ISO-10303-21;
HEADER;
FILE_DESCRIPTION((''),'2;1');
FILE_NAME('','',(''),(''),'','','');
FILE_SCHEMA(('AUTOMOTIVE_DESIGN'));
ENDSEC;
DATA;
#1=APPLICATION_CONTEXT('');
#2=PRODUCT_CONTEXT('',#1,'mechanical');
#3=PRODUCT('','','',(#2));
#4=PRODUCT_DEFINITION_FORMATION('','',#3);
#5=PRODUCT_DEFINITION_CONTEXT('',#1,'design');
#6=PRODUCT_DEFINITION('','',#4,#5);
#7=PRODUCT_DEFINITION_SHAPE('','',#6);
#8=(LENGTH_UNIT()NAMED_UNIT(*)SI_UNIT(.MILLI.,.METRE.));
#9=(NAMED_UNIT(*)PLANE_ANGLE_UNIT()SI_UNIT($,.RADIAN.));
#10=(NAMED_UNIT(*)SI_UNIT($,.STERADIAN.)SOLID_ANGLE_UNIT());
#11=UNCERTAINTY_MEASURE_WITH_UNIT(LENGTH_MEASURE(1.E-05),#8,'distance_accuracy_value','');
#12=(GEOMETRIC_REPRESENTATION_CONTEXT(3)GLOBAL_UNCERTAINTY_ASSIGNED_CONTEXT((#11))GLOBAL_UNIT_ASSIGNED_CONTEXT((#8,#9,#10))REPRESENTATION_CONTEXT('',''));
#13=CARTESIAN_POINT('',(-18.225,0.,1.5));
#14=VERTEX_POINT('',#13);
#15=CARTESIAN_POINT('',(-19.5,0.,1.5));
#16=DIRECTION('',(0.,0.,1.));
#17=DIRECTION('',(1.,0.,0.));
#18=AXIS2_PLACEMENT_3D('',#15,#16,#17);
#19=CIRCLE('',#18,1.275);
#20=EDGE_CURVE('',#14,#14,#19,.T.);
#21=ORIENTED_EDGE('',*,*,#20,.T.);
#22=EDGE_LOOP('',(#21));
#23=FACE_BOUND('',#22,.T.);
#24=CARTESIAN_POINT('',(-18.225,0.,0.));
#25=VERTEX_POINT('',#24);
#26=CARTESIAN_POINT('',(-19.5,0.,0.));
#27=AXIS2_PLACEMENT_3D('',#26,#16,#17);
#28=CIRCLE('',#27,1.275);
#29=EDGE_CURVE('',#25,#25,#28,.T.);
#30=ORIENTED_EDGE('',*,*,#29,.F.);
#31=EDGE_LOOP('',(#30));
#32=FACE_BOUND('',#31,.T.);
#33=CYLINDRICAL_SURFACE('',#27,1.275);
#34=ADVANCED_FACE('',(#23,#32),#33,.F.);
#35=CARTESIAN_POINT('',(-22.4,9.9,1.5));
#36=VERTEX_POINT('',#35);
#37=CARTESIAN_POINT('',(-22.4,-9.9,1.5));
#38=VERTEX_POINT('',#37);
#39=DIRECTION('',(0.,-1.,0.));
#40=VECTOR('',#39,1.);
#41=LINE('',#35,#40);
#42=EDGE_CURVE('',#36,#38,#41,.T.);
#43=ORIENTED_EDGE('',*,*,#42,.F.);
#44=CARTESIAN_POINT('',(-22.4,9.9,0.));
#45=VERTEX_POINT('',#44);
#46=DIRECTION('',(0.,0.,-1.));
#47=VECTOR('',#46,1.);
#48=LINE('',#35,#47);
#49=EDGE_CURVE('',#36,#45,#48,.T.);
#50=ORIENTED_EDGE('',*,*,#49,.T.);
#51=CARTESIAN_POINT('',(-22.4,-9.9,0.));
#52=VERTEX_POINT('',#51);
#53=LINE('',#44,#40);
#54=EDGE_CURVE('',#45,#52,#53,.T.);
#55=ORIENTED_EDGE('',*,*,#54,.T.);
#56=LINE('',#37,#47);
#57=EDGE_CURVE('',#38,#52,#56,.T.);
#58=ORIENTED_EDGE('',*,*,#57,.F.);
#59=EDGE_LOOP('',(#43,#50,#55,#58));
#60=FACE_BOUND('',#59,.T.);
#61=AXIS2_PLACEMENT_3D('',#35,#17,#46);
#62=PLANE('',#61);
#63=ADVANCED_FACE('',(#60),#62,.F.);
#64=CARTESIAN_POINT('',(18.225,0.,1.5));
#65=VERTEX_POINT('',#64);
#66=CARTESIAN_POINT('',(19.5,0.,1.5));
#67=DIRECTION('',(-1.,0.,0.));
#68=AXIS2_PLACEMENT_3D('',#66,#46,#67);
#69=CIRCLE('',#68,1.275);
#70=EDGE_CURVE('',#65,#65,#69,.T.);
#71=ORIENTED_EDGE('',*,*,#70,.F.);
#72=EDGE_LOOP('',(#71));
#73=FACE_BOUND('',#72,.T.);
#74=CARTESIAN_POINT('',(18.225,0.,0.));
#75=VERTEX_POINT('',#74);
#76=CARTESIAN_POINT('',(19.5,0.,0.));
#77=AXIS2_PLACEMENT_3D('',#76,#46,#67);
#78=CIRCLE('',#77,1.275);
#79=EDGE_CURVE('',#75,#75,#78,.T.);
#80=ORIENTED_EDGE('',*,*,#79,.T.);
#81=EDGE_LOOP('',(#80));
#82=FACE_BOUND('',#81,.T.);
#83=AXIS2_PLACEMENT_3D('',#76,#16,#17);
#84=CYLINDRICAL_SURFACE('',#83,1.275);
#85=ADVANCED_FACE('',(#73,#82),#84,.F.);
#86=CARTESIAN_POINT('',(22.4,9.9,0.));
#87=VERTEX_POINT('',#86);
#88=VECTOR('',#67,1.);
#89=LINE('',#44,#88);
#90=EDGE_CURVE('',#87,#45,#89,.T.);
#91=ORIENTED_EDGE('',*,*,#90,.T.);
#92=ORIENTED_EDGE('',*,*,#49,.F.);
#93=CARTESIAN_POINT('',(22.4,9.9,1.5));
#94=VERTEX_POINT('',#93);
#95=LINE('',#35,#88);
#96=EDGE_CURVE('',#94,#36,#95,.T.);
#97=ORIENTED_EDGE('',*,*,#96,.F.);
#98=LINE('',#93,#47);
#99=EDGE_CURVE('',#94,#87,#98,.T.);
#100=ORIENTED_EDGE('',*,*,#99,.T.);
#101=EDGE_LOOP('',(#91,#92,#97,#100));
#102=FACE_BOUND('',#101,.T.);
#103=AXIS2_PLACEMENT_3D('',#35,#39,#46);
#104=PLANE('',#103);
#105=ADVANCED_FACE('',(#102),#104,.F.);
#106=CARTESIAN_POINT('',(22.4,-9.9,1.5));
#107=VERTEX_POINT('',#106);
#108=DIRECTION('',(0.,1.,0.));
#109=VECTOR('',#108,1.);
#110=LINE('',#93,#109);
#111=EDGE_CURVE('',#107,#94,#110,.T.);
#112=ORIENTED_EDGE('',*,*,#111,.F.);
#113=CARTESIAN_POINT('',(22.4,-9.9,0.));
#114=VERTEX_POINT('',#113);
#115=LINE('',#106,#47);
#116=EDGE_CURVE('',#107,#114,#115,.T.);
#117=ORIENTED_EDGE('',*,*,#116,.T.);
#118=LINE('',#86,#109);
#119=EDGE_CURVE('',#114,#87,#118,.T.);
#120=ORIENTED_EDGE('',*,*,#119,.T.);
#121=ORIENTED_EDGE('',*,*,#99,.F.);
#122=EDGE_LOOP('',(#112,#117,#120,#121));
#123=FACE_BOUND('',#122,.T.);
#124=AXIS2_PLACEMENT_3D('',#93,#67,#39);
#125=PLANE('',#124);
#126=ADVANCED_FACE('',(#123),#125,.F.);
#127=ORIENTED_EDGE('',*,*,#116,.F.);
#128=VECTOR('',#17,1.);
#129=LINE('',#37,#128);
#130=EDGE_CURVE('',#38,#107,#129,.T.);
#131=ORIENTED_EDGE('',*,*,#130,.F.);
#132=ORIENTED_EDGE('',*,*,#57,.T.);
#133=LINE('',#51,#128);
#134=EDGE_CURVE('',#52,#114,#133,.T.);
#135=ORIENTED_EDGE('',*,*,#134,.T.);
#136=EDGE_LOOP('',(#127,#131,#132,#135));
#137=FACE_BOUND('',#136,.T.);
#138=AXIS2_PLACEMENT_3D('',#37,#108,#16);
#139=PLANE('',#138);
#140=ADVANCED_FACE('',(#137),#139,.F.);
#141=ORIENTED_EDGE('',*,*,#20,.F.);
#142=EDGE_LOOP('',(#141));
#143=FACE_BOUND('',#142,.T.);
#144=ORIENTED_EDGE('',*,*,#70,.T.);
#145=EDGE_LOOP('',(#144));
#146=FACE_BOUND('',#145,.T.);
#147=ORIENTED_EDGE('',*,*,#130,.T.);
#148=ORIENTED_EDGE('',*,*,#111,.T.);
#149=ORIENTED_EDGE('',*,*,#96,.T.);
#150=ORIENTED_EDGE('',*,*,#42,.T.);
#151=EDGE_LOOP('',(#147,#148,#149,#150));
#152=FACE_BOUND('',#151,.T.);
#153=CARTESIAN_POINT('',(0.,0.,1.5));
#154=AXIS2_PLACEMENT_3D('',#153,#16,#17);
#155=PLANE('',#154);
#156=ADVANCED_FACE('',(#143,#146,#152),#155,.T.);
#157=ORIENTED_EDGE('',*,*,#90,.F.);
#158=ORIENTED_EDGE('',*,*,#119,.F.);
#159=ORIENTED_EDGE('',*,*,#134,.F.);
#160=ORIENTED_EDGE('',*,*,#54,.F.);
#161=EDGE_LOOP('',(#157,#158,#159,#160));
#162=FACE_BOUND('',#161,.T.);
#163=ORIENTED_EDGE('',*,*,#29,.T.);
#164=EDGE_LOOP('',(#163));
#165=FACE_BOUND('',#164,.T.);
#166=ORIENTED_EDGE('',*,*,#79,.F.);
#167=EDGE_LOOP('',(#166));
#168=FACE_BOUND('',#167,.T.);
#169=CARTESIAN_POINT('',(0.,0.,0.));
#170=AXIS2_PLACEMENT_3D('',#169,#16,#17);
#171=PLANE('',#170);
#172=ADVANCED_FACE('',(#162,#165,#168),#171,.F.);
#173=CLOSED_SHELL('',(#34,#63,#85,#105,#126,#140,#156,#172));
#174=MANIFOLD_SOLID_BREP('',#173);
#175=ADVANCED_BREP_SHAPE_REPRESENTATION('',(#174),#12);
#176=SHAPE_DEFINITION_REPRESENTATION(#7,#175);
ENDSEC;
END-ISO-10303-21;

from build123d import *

# Parameters (mm, degrees)
SKETCH2_W           = 44.8
SKETCH2_H           = 19.8
BOSS_EXTRUDE1_DEPTH = 1.5
SKETCH3_R           = 1.275
CUT_EXTRUDE1_DEPTH  = 25.536095859


with BuildPart() as part:
    # Sketch2 → Boss-Extrude1 (new body)
    with BuildSketch(Plane.XY):
        Rectangle(SKETCH2_W, SKETCH2_H)
    extrude(amount=BOSS_EXTRUDE1_DEPTH)

    # Sketch3 → Cut-Extrude1 (cut, through all)
    with BuildSketch(Plane.XY.offset(1.5)):
        with Locations((-19.5, 0)):
            Circle(SKETCH3_R)
    cut_extrude1 = extrude(amount=-CUT_EXTRUDE1_DEPTH, mode=Mode.SUBTRACT)

    # Mirror1: Cut-Extrude1 across plane
    add(cut_extrude1.mirror(Plane(origin=(0, 0, 0), x_dir=(0, 0, 1), z_dir=(1, 0, 0))), mode=Mode.SUBTRACT)


solid = part.part
